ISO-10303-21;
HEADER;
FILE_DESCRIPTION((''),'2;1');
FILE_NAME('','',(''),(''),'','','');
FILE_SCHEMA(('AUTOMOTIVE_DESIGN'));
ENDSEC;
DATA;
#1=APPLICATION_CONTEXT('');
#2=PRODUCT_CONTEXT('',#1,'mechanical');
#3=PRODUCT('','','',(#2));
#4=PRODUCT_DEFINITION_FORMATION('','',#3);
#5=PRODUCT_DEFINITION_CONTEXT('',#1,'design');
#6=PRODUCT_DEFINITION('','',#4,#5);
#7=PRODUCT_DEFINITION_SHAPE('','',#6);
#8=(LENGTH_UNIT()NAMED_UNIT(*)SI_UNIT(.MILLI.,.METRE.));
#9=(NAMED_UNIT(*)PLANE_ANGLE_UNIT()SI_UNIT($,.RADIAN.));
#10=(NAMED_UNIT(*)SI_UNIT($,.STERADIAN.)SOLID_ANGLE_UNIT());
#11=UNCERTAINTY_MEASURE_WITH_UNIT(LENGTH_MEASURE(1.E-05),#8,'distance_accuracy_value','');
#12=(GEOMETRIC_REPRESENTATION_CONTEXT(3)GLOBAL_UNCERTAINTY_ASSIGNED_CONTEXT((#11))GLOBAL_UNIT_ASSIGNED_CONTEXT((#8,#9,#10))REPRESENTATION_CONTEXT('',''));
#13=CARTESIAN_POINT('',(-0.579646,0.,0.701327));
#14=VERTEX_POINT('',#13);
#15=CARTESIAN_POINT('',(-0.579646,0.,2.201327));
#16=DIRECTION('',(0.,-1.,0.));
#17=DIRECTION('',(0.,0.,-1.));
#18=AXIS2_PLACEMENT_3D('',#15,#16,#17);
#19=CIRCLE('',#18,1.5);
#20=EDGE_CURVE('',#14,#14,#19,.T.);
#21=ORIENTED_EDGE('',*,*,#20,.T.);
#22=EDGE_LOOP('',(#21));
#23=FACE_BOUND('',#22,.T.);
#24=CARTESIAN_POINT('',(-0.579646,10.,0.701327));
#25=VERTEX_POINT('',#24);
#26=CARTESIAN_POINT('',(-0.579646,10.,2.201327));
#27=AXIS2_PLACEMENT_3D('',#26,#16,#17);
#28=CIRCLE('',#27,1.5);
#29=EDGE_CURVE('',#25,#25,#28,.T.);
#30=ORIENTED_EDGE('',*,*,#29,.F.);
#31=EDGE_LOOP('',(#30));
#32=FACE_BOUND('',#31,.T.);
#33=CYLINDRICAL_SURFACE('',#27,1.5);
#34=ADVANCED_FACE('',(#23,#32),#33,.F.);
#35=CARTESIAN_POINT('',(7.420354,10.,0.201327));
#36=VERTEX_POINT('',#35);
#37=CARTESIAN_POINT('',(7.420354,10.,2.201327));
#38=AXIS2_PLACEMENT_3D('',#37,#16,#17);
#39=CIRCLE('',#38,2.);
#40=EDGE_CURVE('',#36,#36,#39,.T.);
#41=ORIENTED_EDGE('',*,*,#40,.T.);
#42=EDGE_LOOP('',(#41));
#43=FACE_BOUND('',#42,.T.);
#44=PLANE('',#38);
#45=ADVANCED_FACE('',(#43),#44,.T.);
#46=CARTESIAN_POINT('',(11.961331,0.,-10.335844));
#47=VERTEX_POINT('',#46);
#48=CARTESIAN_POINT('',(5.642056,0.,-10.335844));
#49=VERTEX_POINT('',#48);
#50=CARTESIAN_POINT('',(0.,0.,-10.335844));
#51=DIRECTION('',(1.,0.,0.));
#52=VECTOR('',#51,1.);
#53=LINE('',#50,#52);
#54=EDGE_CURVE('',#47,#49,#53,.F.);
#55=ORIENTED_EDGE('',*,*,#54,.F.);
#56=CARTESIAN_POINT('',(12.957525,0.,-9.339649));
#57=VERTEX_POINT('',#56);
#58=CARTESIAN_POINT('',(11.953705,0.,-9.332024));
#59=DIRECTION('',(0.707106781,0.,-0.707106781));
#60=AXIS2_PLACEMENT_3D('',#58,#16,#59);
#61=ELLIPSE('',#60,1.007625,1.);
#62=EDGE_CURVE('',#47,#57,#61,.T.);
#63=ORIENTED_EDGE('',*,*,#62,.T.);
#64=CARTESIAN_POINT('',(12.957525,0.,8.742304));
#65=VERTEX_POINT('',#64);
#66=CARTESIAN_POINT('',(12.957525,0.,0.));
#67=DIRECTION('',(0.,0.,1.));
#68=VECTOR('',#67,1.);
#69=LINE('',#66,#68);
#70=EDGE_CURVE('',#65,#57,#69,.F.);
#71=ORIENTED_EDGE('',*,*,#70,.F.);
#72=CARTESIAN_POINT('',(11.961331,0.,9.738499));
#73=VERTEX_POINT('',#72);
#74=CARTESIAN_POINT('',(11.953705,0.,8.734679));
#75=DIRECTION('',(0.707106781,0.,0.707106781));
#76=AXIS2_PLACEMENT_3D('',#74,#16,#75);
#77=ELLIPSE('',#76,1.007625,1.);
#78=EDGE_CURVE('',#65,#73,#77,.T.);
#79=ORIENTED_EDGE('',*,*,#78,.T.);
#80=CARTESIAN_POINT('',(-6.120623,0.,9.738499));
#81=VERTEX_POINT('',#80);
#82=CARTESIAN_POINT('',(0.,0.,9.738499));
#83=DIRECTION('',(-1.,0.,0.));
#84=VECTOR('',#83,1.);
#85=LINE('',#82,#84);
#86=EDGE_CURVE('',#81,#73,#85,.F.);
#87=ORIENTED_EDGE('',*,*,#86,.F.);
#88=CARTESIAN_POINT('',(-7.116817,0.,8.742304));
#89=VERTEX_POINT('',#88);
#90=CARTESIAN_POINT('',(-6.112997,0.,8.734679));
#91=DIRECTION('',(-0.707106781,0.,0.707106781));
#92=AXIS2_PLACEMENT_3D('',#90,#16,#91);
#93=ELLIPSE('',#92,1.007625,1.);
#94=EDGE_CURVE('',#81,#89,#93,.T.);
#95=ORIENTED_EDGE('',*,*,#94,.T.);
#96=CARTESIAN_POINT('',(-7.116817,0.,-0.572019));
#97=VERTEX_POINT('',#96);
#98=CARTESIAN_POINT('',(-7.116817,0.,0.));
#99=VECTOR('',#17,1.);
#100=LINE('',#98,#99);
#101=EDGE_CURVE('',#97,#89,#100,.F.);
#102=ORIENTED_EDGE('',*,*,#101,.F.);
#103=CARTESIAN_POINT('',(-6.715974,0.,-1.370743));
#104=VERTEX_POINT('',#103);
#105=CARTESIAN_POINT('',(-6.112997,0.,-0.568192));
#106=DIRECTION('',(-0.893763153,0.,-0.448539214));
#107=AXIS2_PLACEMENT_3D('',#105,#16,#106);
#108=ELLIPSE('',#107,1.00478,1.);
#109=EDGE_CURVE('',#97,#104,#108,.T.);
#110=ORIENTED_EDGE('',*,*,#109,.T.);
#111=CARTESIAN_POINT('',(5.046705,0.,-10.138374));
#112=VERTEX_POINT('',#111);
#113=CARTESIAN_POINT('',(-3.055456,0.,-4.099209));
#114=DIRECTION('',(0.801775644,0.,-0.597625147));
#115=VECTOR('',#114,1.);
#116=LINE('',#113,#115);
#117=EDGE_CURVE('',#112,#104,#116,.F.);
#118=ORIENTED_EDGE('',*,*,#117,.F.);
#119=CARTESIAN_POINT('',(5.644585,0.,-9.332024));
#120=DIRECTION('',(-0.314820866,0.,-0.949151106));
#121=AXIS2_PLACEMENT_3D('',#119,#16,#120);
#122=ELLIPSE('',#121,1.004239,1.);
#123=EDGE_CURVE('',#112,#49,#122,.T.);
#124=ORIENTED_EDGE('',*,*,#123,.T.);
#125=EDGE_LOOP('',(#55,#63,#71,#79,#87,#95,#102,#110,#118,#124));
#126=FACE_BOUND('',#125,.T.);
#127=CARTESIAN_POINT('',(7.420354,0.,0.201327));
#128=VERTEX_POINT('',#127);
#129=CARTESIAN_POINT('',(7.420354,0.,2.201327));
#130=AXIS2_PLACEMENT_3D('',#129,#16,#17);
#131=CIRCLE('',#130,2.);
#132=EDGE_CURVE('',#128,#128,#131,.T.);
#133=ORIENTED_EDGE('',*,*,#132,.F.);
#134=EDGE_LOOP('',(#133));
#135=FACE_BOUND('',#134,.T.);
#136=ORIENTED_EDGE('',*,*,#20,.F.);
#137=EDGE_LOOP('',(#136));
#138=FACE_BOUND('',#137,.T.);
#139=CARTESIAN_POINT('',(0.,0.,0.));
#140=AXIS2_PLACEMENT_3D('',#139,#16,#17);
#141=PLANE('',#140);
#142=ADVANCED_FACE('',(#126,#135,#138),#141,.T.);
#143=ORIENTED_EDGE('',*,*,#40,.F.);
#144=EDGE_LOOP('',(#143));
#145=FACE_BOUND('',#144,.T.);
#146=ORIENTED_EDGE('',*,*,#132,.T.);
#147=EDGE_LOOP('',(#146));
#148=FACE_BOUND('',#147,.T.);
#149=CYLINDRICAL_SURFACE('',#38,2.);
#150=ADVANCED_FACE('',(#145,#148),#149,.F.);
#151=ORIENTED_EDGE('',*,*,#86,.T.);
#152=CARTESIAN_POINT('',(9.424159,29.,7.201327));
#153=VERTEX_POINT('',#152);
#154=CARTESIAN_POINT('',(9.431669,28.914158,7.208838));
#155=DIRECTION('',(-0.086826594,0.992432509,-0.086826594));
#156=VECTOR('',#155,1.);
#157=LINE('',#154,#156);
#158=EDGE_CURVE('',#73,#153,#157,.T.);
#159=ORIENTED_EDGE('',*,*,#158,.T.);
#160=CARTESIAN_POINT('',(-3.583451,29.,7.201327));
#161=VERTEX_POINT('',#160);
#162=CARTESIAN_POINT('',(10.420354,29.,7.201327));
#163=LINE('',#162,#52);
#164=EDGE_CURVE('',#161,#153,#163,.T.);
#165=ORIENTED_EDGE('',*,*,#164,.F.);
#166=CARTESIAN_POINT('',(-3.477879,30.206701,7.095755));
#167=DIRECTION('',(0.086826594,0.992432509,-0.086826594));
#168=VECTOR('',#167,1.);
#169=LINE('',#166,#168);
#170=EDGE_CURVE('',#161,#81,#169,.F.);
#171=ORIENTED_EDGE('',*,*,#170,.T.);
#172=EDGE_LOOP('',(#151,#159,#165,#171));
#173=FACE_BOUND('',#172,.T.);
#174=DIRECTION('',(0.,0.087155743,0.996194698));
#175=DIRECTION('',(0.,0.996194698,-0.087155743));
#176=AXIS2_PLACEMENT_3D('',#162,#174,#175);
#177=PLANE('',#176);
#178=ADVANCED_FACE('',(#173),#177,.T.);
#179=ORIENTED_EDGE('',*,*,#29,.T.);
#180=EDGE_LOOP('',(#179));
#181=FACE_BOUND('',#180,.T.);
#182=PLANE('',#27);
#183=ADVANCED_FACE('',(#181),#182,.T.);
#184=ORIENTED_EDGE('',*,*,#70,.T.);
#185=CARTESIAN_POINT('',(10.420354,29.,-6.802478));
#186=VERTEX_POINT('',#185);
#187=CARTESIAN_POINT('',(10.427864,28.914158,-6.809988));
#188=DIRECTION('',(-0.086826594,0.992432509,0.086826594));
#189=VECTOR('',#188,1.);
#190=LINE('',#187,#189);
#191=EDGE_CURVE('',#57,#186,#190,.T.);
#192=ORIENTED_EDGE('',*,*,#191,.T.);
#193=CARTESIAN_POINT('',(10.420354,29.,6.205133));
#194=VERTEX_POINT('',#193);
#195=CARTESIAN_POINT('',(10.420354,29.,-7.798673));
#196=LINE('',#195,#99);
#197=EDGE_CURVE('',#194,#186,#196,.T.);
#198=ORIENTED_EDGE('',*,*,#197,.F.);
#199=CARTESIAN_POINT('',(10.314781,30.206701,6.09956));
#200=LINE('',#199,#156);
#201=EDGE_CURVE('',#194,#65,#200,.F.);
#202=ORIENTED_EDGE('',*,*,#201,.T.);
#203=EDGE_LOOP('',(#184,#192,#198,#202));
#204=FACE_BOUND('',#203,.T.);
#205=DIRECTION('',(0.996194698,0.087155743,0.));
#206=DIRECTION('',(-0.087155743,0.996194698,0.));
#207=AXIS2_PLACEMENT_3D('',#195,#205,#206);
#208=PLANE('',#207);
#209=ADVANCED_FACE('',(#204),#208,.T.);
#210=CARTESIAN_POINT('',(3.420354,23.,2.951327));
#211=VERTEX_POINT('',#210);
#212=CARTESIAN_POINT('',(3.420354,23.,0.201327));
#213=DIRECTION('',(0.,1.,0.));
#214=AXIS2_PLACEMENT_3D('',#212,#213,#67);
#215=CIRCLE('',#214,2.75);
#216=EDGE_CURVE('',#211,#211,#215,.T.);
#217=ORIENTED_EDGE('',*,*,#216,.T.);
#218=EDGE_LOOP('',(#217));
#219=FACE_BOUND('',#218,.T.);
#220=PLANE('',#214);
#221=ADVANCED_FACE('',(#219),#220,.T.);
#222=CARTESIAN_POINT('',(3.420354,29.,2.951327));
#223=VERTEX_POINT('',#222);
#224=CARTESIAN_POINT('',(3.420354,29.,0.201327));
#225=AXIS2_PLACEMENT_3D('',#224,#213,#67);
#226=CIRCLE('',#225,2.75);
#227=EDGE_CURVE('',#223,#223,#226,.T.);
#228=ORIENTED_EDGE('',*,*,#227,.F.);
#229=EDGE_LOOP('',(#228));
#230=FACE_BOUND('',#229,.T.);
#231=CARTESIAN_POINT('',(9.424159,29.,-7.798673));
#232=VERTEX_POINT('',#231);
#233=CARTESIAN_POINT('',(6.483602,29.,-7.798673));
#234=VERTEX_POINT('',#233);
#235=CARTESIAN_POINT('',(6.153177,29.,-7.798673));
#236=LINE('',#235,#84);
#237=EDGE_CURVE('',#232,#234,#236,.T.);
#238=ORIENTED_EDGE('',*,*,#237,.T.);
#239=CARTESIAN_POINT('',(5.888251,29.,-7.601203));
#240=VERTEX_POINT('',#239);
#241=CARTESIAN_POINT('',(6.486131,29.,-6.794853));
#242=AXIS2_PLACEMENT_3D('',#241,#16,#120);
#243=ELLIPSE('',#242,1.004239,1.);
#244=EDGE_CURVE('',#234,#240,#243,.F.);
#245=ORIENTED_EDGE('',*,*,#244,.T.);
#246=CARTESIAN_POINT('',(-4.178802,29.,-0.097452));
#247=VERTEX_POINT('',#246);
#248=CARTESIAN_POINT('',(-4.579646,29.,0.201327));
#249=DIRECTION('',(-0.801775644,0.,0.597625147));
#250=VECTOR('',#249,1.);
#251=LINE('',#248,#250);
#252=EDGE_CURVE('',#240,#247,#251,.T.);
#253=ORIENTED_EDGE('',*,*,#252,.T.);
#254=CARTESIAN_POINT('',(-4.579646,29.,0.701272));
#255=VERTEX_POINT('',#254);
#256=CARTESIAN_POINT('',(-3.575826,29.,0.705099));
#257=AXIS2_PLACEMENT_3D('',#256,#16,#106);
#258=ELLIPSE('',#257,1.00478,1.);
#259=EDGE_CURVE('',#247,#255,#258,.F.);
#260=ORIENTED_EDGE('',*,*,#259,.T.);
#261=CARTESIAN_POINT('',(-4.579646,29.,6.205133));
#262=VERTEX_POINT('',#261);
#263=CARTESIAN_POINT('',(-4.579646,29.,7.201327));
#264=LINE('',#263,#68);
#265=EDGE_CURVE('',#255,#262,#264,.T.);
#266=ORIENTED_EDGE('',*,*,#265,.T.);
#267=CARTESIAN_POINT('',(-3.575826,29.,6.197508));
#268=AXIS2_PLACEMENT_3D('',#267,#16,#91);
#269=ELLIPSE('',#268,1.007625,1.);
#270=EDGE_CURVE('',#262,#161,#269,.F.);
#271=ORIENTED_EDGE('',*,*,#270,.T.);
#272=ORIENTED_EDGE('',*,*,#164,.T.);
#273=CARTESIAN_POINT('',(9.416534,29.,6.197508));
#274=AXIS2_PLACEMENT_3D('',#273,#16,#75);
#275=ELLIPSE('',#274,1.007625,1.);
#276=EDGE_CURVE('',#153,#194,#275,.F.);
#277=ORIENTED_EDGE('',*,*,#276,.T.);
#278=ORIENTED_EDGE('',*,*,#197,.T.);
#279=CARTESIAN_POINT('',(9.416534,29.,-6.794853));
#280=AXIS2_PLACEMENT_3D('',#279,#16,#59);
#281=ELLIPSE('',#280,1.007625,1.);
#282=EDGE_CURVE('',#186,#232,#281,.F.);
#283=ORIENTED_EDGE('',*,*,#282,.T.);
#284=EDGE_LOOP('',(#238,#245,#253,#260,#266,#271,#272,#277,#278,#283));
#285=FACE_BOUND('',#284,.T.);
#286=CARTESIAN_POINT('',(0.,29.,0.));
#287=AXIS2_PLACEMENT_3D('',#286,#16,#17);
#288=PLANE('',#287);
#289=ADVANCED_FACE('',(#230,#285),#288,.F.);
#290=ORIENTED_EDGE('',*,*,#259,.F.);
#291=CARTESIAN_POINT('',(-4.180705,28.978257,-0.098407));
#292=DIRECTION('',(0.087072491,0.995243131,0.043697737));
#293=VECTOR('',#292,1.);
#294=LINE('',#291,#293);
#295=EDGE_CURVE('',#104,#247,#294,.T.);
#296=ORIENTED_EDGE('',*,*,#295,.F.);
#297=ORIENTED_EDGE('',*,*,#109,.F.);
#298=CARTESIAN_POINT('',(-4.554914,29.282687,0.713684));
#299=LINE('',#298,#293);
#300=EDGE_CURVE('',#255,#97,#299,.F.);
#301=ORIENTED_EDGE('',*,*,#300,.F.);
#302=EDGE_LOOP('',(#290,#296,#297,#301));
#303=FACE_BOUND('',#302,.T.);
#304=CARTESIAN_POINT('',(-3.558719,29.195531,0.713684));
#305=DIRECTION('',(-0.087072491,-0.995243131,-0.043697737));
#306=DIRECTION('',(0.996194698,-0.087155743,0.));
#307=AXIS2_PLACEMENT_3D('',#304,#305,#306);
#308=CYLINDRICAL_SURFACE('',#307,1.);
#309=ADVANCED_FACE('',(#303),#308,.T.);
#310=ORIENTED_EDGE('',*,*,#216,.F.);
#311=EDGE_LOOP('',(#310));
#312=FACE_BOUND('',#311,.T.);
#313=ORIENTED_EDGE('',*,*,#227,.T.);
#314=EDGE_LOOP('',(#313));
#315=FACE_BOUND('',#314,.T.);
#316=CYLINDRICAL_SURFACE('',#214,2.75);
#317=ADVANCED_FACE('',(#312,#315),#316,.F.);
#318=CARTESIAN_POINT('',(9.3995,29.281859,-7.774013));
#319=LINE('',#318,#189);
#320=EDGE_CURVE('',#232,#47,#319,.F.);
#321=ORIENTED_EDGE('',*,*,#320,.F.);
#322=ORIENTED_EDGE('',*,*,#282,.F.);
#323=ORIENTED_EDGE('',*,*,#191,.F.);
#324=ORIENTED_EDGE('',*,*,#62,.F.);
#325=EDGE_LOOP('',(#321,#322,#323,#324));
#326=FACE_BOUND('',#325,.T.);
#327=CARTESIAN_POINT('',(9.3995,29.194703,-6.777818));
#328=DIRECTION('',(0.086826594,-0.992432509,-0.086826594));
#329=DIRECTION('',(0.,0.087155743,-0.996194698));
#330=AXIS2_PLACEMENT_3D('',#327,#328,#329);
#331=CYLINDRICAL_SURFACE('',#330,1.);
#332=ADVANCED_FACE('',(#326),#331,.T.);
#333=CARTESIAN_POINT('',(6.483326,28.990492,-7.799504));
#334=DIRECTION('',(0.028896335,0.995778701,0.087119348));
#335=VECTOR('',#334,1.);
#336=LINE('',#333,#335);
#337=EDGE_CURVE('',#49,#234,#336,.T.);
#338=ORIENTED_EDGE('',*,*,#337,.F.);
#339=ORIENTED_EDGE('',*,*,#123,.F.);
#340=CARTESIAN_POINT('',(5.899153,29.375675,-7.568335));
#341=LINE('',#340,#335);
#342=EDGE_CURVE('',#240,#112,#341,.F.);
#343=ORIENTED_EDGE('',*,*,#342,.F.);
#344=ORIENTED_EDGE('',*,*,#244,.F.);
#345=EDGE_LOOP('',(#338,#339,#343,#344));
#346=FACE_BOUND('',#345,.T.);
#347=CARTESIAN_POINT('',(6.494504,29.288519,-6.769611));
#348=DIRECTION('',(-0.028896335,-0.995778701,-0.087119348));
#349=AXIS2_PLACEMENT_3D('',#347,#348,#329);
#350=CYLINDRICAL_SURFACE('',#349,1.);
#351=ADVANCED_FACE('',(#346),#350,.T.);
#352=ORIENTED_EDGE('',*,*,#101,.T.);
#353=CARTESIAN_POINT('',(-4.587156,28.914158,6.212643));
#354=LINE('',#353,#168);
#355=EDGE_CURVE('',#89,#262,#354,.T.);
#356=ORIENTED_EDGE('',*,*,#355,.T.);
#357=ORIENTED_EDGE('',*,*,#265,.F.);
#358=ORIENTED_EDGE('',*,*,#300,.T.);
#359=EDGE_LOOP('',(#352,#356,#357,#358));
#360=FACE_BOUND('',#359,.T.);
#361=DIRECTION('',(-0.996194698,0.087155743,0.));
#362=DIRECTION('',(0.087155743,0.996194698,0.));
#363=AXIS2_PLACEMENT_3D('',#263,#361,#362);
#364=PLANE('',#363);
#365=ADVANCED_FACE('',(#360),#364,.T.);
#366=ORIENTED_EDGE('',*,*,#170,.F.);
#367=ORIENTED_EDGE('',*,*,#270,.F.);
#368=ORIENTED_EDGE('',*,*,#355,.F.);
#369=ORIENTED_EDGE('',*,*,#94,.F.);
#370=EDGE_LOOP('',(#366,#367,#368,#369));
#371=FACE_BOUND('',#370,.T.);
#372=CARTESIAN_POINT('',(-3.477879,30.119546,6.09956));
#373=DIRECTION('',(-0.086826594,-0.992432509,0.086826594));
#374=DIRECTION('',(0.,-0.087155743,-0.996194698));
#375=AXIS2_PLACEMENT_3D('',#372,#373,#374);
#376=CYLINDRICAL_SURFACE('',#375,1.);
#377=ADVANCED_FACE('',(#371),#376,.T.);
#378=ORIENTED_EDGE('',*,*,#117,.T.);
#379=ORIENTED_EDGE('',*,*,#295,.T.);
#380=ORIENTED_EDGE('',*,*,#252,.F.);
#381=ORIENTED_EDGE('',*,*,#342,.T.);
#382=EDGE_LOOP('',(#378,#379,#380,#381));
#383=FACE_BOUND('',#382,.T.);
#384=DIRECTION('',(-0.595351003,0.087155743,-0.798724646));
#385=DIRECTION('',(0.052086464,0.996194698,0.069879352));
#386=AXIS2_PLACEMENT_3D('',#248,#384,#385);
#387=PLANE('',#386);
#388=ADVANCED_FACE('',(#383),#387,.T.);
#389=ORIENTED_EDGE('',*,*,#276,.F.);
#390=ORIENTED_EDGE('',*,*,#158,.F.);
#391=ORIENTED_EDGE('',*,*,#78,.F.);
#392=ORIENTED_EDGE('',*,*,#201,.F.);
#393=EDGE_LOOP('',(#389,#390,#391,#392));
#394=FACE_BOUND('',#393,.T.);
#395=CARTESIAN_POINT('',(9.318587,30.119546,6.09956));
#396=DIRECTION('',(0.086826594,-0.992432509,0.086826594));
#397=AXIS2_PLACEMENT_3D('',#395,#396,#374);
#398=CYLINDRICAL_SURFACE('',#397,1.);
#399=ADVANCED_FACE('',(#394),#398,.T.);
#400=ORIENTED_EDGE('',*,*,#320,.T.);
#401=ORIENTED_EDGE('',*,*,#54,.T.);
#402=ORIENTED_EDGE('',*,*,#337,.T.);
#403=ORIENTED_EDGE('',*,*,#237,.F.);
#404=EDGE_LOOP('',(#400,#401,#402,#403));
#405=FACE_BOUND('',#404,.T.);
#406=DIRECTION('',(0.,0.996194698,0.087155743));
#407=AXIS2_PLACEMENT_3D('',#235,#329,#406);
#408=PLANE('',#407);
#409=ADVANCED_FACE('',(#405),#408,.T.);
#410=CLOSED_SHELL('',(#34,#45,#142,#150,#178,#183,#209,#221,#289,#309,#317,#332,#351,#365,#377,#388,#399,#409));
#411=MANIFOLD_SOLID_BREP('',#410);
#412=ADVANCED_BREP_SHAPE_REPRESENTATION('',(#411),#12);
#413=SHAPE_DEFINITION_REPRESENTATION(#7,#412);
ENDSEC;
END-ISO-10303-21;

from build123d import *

# Parameters (mm, degrees)
BOSS_EXTRUDE1_DEPTH = 29
SKETCH2_R           = 1.5
SKETCH2_R_2         = 2
CUT_EXTRUDE1_DEPTH  = 10
SKETCH3_R           = 2.75
CUT_EXTRUDE2_DEPTH  = 6
DRAFT1_ANGLE        = 5
FILLET1_R           = 1


with BuildPart() as part:
    # Sketch1 → Boss-Extrude1 (new body)
    with BuildSketch(Plane(origin=(0, 0, 0), x_dir=(1, 0, 0), z_dir=(0, 1, 0))):
        Polygon((-4.579646018, -0.201327434), (6.153177369, 7.798672566), (10.420353982, 7.798672566), (10.420353982, -7.201327434), (-4.579646018, -7.201327434), align=None)
    extrude(amount=BOSS_EXTRUDE1_DEPTH)

    # Sketch2 → Cut-Extrude1 (cut)
    with BuildSketch(Plane.XZ):
        with Locations(Location((-0.579646018, 2.201327434, 0), (0, 0, 270))):
            Circle(SKETCH2_R)
        with Locations(Location((7.420353982, 2.201327434, 0), (0, 0, 270))):
            Circle(SKETCH2_R_2)
    extrude(amount=-CUT_EXTRUDE1_DEPTH, mode=Mode.SUBTRACT)

    # Sketch3 → Cut-Extrude2 (cut)
    with BuildSketch(Plane(origin=(0, 29, 0), x_dir=(1, 0, 0), z_dir=(0, 1, 0))):
        with Locations(Location((3.420353982, -0.201327434, 0), (0, 0, 270))):
            Circle(SKETCH3_R)
    extrude(amount=-CUT_EXTRUDE2_DEPTH, mode=Mode.SUBTRACT)

    # Draft1
    draft1_faces = [part.faces().sort_by_distance(p)[0] for p in [
        (8.286765676, 14.5, -7.798672566),
        (10.420353982, 14.5, -0.298672566),
        (2.920353982, 14.5, 7.201327434),
        (-4.579646018, 14.5, 3.701327434),
        (0.786765676, 14.5, -3.798672566),
    ]]
    draft(draft1_faces, Plane.ZX.offset(29), DRAFT1_ANGLE)

    # Fillet1
    fillet1_edges = [part.edges().sort_by_distance(p)[0] for p in [
        (-5.848231639, 14.5, -0.435318187),
        (5.7324043, 14.5, -9.067258187),
        (11.688939603, 14.5, -9.067258187),
        (11.688939603, 14.5, 8.469913055),
        (-5.848231639, 14.5, 8.469913055),
    ]]
    fillet(fillet1_edges, radius=FILLET1_R)


solid = part.part
